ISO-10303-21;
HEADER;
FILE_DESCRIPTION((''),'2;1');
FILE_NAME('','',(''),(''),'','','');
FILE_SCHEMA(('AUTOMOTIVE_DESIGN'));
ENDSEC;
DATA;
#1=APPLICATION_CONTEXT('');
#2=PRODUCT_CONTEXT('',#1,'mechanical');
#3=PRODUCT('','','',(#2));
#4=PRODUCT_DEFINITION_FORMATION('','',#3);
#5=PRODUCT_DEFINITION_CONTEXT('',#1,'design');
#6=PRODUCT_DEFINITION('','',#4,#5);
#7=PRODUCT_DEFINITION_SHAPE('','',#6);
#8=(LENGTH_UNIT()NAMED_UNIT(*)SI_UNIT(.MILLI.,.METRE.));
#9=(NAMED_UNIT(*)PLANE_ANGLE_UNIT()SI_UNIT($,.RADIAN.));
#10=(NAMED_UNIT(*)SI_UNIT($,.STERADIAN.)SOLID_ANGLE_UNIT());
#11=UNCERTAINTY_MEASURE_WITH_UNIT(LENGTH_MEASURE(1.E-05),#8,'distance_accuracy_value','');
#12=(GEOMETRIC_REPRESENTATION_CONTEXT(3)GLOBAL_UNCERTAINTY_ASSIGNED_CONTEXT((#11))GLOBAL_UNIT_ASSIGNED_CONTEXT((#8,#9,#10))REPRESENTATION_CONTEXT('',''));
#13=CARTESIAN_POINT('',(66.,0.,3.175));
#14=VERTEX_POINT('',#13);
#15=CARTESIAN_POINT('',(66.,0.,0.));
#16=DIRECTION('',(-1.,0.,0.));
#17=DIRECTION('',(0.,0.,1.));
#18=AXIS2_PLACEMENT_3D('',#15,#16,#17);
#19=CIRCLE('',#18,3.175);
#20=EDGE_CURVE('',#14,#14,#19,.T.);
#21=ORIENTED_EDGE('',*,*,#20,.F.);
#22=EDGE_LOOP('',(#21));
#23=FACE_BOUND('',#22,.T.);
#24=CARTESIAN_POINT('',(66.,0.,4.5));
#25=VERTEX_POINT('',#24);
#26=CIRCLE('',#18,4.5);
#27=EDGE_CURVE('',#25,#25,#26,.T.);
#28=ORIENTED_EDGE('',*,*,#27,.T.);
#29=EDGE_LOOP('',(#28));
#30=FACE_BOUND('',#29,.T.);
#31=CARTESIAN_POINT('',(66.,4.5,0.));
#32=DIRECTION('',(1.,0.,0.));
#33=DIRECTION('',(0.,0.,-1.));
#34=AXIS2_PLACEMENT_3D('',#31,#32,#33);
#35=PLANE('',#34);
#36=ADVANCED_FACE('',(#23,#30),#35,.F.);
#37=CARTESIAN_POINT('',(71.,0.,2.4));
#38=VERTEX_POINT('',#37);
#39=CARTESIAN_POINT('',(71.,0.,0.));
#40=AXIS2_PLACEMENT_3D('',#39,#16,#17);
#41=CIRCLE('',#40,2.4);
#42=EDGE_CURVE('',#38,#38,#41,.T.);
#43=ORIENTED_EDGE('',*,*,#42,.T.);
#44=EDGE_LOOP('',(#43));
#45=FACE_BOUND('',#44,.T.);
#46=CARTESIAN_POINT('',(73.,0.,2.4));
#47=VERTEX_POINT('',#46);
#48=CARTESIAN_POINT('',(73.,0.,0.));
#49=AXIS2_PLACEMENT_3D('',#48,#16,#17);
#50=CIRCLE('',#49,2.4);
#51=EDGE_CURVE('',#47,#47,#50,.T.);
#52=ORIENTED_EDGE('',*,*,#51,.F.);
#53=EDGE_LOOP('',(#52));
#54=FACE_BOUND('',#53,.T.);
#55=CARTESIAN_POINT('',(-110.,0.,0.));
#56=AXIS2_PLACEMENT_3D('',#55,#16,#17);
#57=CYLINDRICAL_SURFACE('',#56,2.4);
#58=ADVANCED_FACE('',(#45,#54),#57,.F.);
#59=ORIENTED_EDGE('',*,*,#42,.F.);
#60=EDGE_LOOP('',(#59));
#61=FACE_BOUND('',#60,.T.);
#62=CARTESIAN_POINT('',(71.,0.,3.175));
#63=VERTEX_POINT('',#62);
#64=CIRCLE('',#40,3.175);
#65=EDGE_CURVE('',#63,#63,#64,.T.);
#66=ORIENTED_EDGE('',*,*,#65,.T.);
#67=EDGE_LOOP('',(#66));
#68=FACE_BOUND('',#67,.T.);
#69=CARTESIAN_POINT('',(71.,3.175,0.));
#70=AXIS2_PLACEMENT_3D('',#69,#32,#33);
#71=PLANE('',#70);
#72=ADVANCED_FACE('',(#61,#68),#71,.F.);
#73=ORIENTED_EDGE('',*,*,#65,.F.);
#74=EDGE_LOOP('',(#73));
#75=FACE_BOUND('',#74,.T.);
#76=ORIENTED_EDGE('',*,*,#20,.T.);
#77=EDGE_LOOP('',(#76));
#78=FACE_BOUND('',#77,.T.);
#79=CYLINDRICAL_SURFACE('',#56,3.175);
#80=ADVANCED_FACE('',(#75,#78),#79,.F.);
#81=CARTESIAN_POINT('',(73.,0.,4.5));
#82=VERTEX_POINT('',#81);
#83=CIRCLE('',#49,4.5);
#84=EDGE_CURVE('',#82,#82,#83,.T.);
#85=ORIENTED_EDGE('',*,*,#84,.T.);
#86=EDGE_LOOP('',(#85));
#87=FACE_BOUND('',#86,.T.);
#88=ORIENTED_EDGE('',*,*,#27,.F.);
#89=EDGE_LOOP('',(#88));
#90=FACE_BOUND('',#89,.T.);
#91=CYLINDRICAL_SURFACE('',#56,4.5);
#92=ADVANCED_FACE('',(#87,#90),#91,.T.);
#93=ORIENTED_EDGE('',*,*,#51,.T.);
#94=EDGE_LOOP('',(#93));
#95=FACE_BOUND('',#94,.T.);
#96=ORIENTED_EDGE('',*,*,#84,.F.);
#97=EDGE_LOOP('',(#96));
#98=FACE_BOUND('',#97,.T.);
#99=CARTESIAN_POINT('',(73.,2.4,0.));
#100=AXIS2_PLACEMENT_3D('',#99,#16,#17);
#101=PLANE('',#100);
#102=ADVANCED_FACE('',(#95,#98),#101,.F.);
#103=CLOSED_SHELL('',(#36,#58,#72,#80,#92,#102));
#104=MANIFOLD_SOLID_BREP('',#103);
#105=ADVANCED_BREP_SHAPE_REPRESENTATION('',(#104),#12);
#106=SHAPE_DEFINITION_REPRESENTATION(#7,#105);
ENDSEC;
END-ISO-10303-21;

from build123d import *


with BuildPart() as part:
    # Axial profile (mm) → Full revolution (revolve)
    with BuildSketch(Plane.XY, mode=Mode.PRIVATE) as full_revolution_sk:
        Polygon((66, 3.175), (71, 3.175), (71, 2.4), (73, 2.4), (73, 4.5), (66, 4.5), align=None)
    revolve(full_revolution_sk.sketch.rotate(Axis((-110, 0, 0), (1, 0, 0)), 90), axis=Axis((-110, 0, 0), (1, 0, 0)))


solid = part.part
